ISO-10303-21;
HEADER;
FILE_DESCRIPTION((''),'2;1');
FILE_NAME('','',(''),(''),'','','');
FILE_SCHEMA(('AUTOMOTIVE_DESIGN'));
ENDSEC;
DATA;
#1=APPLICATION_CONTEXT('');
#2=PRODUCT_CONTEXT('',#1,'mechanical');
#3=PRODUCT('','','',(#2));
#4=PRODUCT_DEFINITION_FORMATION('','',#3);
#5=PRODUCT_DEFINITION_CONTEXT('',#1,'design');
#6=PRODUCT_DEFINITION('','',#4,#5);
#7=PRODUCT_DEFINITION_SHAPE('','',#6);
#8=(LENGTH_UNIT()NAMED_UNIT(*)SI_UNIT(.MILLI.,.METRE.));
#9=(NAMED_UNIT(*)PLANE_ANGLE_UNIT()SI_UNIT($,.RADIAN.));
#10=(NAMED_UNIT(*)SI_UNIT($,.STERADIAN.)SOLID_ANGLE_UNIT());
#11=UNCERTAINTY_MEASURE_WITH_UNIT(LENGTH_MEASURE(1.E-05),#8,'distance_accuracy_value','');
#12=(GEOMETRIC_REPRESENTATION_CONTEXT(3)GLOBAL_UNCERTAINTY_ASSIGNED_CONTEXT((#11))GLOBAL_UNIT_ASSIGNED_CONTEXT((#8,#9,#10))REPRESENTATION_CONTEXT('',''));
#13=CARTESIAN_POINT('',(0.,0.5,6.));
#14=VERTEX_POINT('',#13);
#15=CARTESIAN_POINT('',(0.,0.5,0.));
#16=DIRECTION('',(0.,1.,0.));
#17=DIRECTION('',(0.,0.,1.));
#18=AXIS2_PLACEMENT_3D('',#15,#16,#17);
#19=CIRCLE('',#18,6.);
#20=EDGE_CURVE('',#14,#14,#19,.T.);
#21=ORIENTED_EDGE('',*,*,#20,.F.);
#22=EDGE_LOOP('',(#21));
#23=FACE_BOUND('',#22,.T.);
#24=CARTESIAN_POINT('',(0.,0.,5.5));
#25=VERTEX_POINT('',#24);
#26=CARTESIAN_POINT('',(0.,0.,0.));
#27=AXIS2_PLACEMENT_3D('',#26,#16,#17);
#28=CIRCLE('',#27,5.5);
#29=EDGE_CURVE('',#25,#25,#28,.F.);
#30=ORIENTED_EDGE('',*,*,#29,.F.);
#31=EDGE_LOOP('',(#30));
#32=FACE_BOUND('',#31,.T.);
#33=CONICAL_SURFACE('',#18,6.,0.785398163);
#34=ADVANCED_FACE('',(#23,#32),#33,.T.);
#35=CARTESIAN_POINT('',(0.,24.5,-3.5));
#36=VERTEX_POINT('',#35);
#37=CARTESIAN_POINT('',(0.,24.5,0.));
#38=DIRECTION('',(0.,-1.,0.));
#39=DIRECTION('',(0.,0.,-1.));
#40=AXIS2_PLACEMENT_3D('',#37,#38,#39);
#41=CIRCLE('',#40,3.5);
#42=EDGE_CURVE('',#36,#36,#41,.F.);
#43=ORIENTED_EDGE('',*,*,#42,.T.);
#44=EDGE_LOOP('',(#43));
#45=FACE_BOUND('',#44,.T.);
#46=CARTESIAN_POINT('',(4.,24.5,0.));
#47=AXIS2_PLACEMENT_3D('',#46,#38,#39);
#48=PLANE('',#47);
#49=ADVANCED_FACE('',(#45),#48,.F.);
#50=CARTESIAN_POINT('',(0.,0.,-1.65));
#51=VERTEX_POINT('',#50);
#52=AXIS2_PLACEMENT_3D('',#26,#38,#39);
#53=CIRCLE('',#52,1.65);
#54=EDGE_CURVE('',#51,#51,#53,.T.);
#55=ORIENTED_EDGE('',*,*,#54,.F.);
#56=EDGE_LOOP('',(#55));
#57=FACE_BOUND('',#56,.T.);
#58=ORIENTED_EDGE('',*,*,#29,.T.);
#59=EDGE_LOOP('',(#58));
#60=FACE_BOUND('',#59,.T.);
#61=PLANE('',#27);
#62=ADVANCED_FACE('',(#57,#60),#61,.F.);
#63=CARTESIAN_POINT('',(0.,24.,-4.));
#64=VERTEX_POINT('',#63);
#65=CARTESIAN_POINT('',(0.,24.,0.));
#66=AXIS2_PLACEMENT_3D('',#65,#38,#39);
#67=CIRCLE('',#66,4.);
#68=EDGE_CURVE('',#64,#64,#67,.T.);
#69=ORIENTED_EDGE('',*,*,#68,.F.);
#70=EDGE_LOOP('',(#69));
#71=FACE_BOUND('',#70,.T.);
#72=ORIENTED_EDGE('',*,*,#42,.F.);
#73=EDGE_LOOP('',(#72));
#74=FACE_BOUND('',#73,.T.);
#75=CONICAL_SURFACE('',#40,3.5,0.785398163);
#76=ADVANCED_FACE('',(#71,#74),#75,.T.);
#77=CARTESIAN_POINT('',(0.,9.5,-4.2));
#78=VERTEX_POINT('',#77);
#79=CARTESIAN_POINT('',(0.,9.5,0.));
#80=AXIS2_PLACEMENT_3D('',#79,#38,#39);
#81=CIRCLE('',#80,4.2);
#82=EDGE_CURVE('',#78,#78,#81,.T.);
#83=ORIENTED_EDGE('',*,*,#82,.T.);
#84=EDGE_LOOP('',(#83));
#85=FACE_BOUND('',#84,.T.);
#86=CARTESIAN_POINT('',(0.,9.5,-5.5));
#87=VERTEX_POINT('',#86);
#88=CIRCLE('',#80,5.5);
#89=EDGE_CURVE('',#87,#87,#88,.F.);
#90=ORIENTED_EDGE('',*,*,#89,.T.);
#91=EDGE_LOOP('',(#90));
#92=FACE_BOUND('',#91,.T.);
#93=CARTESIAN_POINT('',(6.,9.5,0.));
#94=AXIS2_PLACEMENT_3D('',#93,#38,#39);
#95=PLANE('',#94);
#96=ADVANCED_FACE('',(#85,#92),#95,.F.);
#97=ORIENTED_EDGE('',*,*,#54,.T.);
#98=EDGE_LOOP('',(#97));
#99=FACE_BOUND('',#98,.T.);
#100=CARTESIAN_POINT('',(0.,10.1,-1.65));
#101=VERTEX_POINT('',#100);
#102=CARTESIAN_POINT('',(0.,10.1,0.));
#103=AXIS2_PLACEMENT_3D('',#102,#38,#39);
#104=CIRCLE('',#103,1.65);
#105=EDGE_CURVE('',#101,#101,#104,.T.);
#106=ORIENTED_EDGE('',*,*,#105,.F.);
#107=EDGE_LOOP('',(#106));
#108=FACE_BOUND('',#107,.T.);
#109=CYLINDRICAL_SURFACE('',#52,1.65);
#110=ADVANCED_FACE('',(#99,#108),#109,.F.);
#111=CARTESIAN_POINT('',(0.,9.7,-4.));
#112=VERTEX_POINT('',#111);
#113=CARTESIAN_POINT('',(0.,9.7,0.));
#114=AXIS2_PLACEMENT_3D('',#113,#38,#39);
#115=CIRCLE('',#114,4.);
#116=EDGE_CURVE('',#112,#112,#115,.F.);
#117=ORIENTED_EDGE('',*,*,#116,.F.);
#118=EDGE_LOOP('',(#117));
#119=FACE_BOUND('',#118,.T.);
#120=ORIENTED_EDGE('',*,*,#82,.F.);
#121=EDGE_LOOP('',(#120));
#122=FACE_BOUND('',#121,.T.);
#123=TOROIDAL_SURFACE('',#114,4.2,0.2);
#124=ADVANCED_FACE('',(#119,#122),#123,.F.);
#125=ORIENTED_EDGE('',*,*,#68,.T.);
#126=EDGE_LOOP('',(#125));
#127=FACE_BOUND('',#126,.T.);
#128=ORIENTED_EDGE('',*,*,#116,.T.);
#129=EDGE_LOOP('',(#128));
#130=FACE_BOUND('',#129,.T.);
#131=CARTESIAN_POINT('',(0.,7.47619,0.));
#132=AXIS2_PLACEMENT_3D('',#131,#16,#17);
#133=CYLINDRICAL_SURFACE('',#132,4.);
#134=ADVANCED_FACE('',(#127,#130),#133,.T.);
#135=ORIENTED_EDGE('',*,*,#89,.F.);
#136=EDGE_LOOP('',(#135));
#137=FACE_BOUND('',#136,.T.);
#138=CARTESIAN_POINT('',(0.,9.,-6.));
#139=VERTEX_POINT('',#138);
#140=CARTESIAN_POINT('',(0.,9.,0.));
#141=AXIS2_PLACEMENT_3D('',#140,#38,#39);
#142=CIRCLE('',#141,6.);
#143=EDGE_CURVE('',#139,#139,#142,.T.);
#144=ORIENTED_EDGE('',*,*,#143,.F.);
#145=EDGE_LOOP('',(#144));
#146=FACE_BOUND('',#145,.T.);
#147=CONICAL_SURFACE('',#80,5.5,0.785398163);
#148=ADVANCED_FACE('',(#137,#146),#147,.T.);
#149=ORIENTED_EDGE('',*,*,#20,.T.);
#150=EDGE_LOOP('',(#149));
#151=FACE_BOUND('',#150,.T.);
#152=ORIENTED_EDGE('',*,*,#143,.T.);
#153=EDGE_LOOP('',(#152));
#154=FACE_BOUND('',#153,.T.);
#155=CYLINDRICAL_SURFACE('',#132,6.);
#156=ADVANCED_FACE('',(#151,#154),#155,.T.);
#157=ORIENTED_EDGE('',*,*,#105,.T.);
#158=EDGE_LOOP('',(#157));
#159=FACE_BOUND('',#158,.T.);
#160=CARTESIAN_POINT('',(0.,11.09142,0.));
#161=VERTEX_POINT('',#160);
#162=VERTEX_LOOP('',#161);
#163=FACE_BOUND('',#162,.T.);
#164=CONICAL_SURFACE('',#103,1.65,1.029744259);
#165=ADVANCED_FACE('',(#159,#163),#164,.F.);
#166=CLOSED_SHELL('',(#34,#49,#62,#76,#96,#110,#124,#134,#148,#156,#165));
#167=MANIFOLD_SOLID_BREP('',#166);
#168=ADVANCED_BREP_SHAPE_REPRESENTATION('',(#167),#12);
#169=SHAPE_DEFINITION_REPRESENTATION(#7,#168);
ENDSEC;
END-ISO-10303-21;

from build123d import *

# Parameters (mm, degrees)
M4_TAPPED_HOLE1_D     = 3.3
M4_TAPPED_HOLE1_DEPTH = 10.1
M4_TAPPED_HOLE1_TIP   = 0.991420021
FILLET1_R             = 0.2
CHAMFER1_SIZE         = 0.5


with BuildPart() as part:
    # Sketch1 → Revolve1 (revolve)
    with BuildSketch(Plane.XY, mode=Mode.PRIVATE) as revolve1_sk:
        Polygon((0, 0), (6, 0), (6, 9.5), (4, 9.5), (4, 24.5), (0, 24.5), align=None)
    revolve(revolve1_sk.sketch.rotate(Axis((0, 7.476190476, 0), (0, -1, 0)), 90), axis=Axis((0, 7.476190476, 0), (0, -1, 0)))

    # M4 Tapped Hole1
    with Locations(Plane(origin=(0, 0, 0), x_dir=(-1, 0, 0), z_dir=(0, -1, 0))):
        with Locations((0, 0)):
            Hole(M4_TAPPED_HOLE1_D / 2, depth=M4_TAPPED_HOLE1_DEPTH)
            with Locations((0, 0, -(M4_TAPPED_HOLE1_DEPTH + M4_TAPPED_HOLE1_TIP / 2))):  # 118° drill point
                Cone(0, M4_TAPPED_HOLE1_D / 2, M4_TAPPED_HOLE1_TIP, mode=Mode.SUBTRACT)

    # Fillet1
    fillet1_edges = [part.edges().sort_by_distance(p)[0] for p in [
        (0, 9.5, -4),
    ]]
    fillet(fillet1_edges, radius=FILLET1_R)

    # Chamfer1
    chamfer1_edges = [part.edges().sort_by_distance(p)[0] for p in [
        (0, 24.5, -4),
        (0, 9.5, -6),
        (0, 0, -6),
    ]]
    chamfer(chamfer1_edges, length=CHAMFER1_SIZE)


solid = part.part
